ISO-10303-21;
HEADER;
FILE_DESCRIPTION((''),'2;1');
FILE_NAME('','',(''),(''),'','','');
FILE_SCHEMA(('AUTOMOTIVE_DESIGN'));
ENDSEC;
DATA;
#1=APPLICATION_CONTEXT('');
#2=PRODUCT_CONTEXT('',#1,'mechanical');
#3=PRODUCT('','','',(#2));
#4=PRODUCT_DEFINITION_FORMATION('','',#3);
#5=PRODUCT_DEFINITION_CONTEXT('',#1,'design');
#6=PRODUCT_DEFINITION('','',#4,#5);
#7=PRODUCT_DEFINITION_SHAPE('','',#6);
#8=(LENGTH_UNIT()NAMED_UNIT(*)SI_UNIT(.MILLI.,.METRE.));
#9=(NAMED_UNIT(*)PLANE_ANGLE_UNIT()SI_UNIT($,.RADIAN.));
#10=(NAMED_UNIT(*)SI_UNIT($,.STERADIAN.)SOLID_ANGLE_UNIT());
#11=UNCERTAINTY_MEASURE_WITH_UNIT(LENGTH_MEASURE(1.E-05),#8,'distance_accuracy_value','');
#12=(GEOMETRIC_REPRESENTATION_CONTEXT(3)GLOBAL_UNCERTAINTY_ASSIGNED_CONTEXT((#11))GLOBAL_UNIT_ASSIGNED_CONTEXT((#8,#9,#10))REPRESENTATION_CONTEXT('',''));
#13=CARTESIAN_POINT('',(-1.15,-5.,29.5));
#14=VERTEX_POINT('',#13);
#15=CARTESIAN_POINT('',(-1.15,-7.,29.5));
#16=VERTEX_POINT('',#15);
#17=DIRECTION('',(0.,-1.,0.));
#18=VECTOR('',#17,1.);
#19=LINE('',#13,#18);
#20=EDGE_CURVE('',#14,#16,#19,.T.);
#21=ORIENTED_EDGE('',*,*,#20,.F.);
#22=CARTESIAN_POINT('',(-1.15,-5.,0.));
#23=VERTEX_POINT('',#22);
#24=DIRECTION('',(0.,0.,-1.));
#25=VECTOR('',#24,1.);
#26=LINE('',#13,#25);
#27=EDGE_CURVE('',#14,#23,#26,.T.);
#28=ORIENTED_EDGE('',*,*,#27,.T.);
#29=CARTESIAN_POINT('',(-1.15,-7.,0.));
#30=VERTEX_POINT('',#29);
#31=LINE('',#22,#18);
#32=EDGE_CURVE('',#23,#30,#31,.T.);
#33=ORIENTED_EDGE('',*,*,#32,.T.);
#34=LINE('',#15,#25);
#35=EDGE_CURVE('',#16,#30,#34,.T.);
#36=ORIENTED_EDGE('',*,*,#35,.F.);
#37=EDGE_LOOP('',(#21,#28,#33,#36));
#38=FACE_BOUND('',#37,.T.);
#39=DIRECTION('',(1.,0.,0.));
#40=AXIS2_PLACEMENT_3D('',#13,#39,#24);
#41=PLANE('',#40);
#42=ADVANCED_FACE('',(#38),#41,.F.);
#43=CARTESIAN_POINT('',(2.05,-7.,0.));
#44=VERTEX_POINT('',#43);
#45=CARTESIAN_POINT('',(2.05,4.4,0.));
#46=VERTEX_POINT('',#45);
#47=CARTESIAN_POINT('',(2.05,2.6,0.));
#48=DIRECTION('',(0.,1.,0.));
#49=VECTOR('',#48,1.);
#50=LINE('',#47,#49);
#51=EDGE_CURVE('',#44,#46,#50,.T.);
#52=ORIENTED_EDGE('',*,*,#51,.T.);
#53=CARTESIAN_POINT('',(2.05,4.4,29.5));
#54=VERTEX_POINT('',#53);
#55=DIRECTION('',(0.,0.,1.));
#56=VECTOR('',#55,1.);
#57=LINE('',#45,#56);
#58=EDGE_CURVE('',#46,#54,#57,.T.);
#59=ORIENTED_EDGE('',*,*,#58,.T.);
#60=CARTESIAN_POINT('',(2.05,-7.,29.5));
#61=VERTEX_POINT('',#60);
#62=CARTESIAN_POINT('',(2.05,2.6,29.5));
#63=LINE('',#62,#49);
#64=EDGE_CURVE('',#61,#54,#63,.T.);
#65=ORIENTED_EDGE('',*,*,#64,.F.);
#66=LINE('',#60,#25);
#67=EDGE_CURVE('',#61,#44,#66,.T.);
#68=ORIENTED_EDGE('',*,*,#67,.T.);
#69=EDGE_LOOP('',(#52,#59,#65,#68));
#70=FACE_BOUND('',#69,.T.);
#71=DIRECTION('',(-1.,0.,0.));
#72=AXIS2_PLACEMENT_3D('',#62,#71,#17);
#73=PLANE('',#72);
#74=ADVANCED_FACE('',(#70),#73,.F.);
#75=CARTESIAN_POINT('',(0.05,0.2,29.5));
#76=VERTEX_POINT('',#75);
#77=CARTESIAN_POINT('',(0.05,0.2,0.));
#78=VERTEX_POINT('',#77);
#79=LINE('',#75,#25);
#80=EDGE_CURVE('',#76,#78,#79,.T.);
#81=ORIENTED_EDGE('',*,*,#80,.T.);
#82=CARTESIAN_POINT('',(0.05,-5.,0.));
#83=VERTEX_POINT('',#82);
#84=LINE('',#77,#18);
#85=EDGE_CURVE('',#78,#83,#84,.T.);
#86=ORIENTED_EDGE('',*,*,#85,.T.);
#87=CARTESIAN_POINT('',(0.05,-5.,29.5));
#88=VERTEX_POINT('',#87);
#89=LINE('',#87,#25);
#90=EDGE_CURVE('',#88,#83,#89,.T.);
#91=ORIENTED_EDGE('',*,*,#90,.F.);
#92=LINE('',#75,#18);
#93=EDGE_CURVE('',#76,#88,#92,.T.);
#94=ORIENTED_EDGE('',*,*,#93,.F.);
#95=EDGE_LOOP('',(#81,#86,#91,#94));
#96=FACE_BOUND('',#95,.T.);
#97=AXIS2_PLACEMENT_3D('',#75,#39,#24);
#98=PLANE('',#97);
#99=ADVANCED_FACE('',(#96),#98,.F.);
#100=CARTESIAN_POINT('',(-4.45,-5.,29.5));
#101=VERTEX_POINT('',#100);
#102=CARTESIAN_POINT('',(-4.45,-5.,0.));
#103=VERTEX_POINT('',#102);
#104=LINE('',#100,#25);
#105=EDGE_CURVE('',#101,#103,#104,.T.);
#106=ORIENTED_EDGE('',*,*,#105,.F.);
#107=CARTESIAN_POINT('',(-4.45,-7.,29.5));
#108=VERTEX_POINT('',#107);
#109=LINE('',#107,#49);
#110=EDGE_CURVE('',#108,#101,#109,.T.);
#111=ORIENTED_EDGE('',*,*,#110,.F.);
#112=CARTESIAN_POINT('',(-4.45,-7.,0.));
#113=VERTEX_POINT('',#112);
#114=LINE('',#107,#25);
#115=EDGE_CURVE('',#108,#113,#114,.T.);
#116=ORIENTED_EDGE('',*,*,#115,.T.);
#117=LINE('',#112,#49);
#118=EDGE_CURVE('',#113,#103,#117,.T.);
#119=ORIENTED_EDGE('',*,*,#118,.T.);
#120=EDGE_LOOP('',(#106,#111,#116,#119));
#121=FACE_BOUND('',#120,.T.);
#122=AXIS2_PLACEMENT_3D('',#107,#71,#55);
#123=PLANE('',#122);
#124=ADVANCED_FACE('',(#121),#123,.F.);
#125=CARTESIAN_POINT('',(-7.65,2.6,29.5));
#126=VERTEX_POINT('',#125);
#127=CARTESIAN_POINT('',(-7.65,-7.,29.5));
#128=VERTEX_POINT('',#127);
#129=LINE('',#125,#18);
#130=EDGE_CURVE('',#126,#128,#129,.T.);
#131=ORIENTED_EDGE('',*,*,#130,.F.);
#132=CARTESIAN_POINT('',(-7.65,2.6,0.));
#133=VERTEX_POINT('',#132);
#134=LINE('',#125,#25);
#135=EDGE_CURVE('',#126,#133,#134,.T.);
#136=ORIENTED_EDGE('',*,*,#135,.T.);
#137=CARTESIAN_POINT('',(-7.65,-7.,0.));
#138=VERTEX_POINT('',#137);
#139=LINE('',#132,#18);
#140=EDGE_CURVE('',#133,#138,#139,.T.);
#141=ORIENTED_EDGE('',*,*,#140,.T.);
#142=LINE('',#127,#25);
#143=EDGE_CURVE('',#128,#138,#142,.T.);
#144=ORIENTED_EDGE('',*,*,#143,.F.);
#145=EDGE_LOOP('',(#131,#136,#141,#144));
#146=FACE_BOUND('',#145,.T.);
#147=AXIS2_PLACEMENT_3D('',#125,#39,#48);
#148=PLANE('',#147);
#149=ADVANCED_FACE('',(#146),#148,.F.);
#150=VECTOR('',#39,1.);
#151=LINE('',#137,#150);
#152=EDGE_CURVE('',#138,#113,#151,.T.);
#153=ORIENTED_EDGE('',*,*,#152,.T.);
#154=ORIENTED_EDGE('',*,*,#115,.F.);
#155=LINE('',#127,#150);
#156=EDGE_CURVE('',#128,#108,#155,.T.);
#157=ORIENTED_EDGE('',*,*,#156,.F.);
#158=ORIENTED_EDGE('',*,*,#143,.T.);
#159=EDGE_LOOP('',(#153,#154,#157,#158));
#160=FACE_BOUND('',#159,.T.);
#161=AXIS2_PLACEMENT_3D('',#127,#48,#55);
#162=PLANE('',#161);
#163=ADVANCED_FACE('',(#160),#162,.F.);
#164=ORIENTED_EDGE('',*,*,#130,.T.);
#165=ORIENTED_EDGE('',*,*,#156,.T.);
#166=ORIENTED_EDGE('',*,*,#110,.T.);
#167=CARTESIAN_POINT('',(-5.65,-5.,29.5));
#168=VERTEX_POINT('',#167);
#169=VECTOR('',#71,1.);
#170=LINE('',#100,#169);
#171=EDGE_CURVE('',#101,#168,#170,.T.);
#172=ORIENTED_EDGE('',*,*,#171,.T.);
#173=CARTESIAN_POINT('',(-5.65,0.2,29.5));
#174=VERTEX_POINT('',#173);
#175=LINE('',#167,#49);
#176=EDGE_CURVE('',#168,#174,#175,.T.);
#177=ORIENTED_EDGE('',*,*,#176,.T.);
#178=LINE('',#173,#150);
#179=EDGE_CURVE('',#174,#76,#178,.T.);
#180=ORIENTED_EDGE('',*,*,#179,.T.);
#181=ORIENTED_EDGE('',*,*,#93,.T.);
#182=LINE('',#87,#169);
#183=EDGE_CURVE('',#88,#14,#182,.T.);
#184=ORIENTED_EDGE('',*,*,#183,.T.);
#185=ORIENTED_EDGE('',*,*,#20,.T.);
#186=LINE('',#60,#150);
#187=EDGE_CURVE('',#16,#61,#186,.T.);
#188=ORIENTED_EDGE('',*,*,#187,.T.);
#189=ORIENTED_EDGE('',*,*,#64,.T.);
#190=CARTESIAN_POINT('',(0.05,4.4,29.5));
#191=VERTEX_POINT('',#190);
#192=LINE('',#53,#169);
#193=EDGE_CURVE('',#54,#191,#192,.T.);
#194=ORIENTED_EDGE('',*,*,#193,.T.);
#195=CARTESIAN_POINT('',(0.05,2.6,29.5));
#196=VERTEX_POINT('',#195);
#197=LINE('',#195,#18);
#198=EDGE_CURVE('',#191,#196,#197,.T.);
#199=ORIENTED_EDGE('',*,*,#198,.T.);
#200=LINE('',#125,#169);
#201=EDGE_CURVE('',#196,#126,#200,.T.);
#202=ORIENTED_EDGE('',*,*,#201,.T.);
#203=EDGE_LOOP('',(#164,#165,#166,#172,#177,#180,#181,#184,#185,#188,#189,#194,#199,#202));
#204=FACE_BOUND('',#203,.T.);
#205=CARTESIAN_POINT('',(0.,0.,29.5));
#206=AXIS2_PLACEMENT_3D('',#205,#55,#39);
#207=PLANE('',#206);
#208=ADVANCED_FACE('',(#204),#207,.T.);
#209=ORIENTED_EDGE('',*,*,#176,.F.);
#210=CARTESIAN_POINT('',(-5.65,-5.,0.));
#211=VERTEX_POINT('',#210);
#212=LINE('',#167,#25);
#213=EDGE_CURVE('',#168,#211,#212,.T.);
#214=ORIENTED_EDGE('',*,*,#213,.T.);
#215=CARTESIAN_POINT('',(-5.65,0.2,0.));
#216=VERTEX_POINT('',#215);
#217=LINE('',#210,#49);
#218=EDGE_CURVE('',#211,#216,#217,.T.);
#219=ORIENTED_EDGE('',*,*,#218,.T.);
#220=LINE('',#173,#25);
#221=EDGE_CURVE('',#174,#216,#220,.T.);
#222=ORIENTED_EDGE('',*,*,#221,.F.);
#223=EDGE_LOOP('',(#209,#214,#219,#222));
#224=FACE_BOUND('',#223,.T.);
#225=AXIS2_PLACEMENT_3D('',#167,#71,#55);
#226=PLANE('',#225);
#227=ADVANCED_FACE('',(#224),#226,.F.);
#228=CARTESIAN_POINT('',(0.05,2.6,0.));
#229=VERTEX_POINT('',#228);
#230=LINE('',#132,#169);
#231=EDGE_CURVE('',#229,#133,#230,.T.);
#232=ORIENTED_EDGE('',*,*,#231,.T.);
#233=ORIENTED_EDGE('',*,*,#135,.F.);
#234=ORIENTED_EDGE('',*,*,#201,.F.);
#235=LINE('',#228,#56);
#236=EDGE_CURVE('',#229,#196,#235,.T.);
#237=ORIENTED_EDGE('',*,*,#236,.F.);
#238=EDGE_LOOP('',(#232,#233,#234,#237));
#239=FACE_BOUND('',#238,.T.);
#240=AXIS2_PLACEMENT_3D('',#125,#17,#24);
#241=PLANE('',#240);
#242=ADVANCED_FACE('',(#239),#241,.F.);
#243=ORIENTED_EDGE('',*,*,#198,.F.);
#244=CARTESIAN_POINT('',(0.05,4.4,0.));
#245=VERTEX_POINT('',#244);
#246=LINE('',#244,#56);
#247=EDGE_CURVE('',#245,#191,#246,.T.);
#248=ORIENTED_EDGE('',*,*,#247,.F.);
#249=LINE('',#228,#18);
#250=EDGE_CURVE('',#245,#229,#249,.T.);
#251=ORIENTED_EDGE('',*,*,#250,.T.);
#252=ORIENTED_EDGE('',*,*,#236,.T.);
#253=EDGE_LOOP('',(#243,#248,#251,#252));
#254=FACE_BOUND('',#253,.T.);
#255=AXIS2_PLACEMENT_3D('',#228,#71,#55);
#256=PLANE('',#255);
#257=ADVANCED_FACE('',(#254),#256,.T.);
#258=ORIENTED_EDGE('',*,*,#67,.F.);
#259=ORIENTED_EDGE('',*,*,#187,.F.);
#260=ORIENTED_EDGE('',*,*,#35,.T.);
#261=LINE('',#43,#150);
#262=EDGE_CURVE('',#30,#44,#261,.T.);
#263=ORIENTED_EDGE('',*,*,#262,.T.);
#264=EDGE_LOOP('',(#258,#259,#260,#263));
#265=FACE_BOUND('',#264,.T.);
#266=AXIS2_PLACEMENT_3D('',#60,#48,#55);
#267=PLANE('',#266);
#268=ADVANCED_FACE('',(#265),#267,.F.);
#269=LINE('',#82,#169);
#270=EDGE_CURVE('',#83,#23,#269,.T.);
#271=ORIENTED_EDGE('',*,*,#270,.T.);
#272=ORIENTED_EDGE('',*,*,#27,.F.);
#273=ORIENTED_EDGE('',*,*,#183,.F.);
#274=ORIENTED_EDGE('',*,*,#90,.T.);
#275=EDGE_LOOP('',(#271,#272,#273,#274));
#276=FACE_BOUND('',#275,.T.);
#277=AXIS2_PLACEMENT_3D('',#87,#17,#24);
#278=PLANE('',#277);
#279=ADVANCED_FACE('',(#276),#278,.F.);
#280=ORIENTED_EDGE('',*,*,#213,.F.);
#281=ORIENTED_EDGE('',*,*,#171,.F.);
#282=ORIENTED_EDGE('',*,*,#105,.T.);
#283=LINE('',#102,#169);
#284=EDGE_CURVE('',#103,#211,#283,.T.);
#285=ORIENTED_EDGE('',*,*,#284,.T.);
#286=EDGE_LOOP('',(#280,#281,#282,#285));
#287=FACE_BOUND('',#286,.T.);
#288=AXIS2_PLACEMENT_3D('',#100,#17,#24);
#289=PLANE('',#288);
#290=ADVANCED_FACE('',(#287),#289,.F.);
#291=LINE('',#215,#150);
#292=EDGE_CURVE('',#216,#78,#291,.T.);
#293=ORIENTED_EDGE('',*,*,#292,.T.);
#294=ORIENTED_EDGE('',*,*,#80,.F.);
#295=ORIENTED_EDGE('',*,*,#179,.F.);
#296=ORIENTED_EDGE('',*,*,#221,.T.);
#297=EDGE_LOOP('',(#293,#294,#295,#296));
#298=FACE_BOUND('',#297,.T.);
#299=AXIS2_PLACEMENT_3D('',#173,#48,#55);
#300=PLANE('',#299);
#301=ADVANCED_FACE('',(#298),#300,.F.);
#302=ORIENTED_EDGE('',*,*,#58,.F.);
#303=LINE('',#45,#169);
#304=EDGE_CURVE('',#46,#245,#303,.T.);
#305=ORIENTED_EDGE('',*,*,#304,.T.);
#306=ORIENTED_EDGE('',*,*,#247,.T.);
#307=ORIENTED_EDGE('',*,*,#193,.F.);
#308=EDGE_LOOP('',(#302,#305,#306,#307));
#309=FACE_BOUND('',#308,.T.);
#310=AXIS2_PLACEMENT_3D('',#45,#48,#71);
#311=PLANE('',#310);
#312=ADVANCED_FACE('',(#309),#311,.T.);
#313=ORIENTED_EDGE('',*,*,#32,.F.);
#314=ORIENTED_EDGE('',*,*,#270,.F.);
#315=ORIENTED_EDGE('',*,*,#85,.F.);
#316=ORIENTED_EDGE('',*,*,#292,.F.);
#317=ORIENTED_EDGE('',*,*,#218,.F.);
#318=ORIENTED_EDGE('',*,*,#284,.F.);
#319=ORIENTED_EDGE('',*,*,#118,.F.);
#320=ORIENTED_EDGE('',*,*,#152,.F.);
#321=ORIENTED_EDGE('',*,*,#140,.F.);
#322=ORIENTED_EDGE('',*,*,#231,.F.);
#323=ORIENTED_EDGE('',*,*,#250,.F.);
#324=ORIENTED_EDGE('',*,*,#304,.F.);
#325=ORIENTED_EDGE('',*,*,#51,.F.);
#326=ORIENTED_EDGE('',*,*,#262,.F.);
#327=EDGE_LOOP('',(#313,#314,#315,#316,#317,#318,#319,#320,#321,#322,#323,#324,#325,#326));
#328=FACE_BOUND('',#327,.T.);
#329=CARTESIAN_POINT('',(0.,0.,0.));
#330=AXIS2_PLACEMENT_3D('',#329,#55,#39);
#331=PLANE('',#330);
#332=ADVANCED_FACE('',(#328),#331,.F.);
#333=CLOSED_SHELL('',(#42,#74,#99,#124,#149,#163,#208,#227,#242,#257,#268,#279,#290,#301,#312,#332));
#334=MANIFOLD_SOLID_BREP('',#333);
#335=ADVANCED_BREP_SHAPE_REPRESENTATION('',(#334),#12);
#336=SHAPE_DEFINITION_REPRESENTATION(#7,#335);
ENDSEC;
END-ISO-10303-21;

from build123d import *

# Parameters (mm, degrees)
BOSS_EXTRUDE1_DEPTH = 29.5
SKETCH2_W           = 2
SKETCH2_H           = 1.8
BOSS_EXTRUDE2_DEPTH = 29.5


with BuildPart() as part:
    # Sketch1 → Boss-Extrude1 (new body)
    with BuildSketch(Plane.XY):
        Polygon((-7.65, 2.6), (2.05, 2.6), (2.05, -7), (-1.15, -7), (-1.15, -5), (0.05, -5), (0.05, 0.2), (-5.65, 0.2), (-5.65, -5), (-4.45, -5), (-4.45, -7), (-7.65, -7), align=None)
    extrude(amount=BOSS_EXTRUDE1_DEPTH)

    # Sketch2 → Boss-Extrude2 (add)
    with BuildSketch(Plane.XY.offset(29.5)):
        with Locations((1.05, 3.5)):
            Rectangle(SKETCH2_W, SKETCH2_H)
    extrude(amount=-BOSS_EXTRUDE2_DEPTH)


solid = part.part
